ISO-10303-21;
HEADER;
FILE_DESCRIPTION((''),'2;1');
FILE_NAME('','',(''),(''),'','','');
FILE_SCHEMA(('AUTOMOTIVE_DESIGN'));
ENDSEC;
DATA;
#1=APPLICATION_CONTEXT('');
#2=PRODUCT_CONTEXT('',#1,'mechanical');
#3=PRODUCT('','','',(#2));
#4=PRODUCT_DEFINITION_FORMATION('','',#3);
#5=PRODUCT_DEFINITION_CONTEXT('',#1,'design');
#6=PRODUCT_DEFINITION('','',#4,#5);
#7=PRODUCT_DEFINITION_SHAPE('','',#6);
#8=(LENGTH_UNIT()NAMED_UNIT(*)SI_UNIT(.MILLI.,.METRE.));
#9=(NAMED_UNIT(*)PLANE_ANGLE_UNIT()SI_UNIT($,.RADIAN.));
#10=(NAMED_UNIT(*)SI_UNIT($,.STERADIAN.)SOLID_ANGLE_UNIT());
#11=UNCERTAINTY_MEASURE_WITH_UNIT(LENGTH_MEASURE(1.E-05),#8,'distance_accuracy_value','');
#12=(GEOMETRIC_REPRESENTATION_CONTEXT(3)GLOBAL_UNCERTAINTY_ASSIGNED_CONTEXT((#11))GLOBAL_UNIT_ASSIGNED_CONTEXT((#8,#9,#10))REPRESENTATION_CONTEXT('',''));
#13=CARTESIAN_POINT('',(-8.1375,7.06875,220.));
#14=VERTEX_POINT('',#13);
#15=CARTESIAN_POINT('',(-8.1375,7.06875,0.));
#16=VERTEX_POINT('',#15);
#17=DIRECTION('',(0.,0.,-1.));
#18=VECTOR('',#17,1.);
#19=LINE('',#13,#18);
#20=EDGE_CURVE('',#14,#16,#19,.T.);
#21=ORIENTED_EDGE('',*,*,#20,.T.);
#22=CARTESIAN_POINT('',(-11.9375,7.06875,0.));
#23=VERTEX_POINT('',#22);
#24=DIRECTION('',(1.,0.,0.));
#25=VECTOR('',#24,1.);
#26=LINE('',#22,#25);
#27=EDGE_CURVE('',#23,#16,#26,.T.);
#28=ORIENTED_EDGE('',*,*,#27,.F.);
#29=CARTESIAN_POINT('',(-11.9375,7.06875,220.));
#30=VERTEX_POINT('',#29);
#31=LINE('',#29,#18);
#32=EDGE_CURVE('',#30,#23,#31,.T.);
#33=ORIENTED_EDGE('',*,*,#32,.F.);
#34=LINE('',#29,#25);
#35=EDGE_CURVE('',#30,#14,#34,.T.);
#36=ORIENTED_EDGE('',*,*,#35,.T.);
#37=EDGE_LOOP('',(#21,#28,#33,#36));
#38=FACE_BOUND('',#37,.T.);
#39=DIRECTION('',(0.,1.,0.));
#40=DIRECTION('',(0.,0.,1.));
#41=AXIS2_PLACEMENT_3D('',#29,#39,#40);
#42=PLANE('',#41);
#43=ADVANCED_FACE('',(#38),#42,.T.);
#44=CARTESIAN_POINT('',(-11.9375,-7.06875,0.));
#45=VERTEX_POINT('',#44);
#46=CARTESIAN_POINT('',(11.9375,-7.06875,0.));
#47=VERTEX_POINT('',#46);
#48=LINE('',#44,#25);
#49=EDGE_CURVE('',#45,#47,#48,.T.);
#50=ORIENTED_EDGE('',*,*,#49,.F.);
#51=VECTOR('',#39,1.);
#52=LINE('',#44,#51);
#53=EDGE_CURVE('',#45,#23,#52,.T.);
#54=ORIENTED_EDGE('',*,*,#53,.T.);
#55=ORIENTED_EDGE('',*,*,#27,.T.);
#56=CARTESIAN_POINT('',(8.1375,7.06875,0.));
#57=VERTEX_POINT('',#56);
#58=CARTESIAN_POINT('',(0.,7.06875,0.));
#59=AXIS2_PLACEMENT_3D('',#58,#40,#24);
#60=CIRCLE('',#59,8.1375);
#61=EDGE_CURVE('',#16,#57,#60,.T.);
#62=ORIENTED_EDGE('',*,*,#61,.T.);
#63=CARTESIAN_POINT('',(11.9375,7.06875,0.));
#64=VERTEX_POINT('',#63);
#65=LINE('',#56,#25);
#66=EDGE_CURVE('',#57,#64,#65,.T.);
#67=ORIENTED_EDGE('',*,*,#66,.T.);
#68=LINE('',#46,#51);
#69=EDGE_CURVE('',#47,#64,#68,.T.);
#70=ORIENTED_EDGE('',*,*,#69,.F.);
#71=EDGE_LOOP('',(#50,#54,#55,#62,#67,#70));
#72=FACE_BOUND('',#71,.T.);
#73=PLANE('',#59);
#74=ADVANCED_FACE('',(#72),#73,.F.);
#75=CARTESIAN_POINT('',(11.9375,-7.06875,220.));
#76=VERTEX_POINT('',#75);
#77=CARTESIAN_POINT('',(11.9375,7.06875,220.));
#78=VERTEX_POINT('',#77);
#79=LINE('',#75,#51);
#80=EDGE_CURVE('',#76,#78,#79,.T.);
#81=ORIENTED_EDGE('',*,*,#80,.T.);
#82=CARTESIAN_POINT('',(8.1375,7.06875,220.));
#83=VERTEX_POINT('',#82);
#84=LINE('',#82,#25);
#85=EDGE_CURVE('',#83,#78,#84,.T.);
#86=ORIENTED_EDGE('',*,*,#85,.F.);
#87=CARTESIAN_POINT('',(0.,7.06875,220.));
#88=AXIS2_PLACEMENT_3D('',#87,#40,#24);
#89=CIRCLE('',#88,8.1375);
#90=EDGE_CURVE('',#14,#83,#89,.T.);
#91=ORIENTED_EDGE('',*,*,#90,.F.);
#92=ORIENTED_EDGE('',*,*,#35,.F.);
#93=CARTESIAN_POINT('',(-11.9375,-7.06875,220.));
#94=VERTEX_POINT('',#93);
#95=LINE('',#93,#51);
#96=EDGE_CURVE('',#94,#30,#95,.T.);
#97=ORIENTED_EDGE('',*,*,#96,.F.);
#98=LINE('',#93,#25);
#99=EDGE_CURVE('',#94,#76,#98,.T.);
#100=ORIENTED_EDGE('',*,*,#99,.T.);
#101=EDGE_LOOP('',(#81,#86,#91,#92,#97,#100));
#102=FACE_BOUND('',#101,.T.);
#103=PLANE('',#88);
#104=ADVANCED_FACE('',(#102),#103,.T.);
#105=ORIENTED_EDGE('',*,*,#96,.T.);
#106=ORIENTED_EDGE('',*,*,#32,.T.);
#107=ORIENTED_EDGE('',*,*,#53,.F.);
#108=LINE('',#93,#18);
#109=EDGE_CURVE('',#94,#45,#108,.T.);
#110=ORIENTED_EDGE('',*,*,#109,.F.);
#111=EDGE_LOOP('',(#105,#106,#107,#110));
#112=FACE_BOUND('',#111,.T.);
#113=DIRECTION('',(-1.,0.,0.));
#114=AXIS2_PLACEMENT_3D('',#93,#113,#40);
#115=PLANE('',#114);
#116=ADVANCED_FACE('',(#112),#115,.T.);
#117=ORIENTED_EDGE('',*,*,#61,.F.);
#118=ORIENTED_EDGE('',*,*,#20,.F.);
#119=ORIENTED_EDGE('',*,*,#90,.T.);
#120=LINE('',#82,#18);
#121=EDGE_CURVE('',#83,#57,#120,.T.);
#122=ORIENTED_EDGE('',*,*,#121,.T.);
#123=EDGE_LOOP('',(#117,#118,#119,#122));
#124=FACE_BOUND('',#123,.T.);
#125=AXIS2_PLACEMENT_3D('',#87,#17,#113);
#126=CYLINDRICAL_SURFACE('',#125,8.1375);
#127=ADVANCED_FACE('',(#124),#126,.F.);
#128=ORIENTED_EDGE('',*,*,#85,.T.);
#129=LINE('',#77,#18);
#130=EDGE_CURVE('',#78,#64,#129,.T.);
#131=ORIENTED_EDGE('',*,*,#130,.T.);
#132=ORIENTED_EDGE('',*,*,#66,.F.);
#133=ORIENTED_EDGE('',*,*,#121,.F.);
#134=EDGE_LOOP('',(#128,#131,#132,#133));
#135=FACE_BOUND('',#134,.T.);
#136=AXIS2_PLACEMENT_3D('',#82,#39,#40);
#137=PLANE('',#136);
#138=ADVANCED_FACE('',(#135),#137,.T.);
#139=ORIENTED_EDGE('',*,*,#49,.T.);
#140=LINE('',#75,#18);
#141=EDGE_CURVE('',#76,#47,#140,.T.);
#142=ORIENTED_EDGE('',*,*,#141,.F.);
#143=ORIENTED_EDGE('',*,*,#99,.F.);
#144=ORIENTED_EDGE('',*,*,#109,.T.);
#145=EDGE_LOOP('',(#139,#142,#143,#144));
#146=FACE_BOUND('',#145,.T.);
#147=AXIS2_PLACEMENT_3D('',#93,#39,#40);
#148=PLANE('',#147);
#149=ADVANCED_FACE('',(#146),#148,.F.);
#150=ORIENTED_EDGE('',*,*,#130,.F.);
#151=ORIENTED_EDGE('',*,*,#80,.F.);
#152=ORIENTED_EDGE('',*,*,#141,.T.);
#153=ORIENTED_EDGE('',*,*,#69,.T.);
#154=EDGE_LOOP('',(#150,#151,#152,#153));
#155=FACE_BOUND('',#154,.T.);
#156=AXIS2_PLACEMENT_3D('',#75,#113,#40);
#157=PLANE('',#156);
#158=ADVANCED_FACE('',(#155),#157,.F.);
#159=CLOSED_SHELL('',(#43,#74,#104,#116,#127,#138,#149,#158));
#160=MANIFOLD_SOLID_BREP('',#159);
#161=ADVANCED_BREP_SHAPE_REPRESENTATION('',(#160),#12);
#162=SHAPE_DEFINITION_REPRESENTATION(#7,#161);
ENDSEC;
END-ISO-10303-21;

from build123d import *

# Parameters (mm, degrees)
BOSS_EXTRUDE1_DEPTH = 220


with BuildPart() as part:
    # Sketch1 → Boss-Extrude1 (new body)
    with BuildSketch(Plane.XY):
        with BuildLine():
            Line((8.1375, 7.06875), (11.9375, 7.06875))
            Line((11.9375, 7.06875), (11.9375, -7.06875))
            Line((11.9375, -7.06875), (-11.9375, -7.06875))
            Line((-11.9375, -7.06875), (-11.9375, 7.06875))
            Line((-11.9375, 7.06875), (-8.1375, 7.06875))
            ThreePointArc((-8.1375, 7.06875), (0, -1.06875), (8.1375, 7.06875))
        make_face()
    extrude(amount=BOSS_EXTRUDE1_DEPTH)


solid = part.part
